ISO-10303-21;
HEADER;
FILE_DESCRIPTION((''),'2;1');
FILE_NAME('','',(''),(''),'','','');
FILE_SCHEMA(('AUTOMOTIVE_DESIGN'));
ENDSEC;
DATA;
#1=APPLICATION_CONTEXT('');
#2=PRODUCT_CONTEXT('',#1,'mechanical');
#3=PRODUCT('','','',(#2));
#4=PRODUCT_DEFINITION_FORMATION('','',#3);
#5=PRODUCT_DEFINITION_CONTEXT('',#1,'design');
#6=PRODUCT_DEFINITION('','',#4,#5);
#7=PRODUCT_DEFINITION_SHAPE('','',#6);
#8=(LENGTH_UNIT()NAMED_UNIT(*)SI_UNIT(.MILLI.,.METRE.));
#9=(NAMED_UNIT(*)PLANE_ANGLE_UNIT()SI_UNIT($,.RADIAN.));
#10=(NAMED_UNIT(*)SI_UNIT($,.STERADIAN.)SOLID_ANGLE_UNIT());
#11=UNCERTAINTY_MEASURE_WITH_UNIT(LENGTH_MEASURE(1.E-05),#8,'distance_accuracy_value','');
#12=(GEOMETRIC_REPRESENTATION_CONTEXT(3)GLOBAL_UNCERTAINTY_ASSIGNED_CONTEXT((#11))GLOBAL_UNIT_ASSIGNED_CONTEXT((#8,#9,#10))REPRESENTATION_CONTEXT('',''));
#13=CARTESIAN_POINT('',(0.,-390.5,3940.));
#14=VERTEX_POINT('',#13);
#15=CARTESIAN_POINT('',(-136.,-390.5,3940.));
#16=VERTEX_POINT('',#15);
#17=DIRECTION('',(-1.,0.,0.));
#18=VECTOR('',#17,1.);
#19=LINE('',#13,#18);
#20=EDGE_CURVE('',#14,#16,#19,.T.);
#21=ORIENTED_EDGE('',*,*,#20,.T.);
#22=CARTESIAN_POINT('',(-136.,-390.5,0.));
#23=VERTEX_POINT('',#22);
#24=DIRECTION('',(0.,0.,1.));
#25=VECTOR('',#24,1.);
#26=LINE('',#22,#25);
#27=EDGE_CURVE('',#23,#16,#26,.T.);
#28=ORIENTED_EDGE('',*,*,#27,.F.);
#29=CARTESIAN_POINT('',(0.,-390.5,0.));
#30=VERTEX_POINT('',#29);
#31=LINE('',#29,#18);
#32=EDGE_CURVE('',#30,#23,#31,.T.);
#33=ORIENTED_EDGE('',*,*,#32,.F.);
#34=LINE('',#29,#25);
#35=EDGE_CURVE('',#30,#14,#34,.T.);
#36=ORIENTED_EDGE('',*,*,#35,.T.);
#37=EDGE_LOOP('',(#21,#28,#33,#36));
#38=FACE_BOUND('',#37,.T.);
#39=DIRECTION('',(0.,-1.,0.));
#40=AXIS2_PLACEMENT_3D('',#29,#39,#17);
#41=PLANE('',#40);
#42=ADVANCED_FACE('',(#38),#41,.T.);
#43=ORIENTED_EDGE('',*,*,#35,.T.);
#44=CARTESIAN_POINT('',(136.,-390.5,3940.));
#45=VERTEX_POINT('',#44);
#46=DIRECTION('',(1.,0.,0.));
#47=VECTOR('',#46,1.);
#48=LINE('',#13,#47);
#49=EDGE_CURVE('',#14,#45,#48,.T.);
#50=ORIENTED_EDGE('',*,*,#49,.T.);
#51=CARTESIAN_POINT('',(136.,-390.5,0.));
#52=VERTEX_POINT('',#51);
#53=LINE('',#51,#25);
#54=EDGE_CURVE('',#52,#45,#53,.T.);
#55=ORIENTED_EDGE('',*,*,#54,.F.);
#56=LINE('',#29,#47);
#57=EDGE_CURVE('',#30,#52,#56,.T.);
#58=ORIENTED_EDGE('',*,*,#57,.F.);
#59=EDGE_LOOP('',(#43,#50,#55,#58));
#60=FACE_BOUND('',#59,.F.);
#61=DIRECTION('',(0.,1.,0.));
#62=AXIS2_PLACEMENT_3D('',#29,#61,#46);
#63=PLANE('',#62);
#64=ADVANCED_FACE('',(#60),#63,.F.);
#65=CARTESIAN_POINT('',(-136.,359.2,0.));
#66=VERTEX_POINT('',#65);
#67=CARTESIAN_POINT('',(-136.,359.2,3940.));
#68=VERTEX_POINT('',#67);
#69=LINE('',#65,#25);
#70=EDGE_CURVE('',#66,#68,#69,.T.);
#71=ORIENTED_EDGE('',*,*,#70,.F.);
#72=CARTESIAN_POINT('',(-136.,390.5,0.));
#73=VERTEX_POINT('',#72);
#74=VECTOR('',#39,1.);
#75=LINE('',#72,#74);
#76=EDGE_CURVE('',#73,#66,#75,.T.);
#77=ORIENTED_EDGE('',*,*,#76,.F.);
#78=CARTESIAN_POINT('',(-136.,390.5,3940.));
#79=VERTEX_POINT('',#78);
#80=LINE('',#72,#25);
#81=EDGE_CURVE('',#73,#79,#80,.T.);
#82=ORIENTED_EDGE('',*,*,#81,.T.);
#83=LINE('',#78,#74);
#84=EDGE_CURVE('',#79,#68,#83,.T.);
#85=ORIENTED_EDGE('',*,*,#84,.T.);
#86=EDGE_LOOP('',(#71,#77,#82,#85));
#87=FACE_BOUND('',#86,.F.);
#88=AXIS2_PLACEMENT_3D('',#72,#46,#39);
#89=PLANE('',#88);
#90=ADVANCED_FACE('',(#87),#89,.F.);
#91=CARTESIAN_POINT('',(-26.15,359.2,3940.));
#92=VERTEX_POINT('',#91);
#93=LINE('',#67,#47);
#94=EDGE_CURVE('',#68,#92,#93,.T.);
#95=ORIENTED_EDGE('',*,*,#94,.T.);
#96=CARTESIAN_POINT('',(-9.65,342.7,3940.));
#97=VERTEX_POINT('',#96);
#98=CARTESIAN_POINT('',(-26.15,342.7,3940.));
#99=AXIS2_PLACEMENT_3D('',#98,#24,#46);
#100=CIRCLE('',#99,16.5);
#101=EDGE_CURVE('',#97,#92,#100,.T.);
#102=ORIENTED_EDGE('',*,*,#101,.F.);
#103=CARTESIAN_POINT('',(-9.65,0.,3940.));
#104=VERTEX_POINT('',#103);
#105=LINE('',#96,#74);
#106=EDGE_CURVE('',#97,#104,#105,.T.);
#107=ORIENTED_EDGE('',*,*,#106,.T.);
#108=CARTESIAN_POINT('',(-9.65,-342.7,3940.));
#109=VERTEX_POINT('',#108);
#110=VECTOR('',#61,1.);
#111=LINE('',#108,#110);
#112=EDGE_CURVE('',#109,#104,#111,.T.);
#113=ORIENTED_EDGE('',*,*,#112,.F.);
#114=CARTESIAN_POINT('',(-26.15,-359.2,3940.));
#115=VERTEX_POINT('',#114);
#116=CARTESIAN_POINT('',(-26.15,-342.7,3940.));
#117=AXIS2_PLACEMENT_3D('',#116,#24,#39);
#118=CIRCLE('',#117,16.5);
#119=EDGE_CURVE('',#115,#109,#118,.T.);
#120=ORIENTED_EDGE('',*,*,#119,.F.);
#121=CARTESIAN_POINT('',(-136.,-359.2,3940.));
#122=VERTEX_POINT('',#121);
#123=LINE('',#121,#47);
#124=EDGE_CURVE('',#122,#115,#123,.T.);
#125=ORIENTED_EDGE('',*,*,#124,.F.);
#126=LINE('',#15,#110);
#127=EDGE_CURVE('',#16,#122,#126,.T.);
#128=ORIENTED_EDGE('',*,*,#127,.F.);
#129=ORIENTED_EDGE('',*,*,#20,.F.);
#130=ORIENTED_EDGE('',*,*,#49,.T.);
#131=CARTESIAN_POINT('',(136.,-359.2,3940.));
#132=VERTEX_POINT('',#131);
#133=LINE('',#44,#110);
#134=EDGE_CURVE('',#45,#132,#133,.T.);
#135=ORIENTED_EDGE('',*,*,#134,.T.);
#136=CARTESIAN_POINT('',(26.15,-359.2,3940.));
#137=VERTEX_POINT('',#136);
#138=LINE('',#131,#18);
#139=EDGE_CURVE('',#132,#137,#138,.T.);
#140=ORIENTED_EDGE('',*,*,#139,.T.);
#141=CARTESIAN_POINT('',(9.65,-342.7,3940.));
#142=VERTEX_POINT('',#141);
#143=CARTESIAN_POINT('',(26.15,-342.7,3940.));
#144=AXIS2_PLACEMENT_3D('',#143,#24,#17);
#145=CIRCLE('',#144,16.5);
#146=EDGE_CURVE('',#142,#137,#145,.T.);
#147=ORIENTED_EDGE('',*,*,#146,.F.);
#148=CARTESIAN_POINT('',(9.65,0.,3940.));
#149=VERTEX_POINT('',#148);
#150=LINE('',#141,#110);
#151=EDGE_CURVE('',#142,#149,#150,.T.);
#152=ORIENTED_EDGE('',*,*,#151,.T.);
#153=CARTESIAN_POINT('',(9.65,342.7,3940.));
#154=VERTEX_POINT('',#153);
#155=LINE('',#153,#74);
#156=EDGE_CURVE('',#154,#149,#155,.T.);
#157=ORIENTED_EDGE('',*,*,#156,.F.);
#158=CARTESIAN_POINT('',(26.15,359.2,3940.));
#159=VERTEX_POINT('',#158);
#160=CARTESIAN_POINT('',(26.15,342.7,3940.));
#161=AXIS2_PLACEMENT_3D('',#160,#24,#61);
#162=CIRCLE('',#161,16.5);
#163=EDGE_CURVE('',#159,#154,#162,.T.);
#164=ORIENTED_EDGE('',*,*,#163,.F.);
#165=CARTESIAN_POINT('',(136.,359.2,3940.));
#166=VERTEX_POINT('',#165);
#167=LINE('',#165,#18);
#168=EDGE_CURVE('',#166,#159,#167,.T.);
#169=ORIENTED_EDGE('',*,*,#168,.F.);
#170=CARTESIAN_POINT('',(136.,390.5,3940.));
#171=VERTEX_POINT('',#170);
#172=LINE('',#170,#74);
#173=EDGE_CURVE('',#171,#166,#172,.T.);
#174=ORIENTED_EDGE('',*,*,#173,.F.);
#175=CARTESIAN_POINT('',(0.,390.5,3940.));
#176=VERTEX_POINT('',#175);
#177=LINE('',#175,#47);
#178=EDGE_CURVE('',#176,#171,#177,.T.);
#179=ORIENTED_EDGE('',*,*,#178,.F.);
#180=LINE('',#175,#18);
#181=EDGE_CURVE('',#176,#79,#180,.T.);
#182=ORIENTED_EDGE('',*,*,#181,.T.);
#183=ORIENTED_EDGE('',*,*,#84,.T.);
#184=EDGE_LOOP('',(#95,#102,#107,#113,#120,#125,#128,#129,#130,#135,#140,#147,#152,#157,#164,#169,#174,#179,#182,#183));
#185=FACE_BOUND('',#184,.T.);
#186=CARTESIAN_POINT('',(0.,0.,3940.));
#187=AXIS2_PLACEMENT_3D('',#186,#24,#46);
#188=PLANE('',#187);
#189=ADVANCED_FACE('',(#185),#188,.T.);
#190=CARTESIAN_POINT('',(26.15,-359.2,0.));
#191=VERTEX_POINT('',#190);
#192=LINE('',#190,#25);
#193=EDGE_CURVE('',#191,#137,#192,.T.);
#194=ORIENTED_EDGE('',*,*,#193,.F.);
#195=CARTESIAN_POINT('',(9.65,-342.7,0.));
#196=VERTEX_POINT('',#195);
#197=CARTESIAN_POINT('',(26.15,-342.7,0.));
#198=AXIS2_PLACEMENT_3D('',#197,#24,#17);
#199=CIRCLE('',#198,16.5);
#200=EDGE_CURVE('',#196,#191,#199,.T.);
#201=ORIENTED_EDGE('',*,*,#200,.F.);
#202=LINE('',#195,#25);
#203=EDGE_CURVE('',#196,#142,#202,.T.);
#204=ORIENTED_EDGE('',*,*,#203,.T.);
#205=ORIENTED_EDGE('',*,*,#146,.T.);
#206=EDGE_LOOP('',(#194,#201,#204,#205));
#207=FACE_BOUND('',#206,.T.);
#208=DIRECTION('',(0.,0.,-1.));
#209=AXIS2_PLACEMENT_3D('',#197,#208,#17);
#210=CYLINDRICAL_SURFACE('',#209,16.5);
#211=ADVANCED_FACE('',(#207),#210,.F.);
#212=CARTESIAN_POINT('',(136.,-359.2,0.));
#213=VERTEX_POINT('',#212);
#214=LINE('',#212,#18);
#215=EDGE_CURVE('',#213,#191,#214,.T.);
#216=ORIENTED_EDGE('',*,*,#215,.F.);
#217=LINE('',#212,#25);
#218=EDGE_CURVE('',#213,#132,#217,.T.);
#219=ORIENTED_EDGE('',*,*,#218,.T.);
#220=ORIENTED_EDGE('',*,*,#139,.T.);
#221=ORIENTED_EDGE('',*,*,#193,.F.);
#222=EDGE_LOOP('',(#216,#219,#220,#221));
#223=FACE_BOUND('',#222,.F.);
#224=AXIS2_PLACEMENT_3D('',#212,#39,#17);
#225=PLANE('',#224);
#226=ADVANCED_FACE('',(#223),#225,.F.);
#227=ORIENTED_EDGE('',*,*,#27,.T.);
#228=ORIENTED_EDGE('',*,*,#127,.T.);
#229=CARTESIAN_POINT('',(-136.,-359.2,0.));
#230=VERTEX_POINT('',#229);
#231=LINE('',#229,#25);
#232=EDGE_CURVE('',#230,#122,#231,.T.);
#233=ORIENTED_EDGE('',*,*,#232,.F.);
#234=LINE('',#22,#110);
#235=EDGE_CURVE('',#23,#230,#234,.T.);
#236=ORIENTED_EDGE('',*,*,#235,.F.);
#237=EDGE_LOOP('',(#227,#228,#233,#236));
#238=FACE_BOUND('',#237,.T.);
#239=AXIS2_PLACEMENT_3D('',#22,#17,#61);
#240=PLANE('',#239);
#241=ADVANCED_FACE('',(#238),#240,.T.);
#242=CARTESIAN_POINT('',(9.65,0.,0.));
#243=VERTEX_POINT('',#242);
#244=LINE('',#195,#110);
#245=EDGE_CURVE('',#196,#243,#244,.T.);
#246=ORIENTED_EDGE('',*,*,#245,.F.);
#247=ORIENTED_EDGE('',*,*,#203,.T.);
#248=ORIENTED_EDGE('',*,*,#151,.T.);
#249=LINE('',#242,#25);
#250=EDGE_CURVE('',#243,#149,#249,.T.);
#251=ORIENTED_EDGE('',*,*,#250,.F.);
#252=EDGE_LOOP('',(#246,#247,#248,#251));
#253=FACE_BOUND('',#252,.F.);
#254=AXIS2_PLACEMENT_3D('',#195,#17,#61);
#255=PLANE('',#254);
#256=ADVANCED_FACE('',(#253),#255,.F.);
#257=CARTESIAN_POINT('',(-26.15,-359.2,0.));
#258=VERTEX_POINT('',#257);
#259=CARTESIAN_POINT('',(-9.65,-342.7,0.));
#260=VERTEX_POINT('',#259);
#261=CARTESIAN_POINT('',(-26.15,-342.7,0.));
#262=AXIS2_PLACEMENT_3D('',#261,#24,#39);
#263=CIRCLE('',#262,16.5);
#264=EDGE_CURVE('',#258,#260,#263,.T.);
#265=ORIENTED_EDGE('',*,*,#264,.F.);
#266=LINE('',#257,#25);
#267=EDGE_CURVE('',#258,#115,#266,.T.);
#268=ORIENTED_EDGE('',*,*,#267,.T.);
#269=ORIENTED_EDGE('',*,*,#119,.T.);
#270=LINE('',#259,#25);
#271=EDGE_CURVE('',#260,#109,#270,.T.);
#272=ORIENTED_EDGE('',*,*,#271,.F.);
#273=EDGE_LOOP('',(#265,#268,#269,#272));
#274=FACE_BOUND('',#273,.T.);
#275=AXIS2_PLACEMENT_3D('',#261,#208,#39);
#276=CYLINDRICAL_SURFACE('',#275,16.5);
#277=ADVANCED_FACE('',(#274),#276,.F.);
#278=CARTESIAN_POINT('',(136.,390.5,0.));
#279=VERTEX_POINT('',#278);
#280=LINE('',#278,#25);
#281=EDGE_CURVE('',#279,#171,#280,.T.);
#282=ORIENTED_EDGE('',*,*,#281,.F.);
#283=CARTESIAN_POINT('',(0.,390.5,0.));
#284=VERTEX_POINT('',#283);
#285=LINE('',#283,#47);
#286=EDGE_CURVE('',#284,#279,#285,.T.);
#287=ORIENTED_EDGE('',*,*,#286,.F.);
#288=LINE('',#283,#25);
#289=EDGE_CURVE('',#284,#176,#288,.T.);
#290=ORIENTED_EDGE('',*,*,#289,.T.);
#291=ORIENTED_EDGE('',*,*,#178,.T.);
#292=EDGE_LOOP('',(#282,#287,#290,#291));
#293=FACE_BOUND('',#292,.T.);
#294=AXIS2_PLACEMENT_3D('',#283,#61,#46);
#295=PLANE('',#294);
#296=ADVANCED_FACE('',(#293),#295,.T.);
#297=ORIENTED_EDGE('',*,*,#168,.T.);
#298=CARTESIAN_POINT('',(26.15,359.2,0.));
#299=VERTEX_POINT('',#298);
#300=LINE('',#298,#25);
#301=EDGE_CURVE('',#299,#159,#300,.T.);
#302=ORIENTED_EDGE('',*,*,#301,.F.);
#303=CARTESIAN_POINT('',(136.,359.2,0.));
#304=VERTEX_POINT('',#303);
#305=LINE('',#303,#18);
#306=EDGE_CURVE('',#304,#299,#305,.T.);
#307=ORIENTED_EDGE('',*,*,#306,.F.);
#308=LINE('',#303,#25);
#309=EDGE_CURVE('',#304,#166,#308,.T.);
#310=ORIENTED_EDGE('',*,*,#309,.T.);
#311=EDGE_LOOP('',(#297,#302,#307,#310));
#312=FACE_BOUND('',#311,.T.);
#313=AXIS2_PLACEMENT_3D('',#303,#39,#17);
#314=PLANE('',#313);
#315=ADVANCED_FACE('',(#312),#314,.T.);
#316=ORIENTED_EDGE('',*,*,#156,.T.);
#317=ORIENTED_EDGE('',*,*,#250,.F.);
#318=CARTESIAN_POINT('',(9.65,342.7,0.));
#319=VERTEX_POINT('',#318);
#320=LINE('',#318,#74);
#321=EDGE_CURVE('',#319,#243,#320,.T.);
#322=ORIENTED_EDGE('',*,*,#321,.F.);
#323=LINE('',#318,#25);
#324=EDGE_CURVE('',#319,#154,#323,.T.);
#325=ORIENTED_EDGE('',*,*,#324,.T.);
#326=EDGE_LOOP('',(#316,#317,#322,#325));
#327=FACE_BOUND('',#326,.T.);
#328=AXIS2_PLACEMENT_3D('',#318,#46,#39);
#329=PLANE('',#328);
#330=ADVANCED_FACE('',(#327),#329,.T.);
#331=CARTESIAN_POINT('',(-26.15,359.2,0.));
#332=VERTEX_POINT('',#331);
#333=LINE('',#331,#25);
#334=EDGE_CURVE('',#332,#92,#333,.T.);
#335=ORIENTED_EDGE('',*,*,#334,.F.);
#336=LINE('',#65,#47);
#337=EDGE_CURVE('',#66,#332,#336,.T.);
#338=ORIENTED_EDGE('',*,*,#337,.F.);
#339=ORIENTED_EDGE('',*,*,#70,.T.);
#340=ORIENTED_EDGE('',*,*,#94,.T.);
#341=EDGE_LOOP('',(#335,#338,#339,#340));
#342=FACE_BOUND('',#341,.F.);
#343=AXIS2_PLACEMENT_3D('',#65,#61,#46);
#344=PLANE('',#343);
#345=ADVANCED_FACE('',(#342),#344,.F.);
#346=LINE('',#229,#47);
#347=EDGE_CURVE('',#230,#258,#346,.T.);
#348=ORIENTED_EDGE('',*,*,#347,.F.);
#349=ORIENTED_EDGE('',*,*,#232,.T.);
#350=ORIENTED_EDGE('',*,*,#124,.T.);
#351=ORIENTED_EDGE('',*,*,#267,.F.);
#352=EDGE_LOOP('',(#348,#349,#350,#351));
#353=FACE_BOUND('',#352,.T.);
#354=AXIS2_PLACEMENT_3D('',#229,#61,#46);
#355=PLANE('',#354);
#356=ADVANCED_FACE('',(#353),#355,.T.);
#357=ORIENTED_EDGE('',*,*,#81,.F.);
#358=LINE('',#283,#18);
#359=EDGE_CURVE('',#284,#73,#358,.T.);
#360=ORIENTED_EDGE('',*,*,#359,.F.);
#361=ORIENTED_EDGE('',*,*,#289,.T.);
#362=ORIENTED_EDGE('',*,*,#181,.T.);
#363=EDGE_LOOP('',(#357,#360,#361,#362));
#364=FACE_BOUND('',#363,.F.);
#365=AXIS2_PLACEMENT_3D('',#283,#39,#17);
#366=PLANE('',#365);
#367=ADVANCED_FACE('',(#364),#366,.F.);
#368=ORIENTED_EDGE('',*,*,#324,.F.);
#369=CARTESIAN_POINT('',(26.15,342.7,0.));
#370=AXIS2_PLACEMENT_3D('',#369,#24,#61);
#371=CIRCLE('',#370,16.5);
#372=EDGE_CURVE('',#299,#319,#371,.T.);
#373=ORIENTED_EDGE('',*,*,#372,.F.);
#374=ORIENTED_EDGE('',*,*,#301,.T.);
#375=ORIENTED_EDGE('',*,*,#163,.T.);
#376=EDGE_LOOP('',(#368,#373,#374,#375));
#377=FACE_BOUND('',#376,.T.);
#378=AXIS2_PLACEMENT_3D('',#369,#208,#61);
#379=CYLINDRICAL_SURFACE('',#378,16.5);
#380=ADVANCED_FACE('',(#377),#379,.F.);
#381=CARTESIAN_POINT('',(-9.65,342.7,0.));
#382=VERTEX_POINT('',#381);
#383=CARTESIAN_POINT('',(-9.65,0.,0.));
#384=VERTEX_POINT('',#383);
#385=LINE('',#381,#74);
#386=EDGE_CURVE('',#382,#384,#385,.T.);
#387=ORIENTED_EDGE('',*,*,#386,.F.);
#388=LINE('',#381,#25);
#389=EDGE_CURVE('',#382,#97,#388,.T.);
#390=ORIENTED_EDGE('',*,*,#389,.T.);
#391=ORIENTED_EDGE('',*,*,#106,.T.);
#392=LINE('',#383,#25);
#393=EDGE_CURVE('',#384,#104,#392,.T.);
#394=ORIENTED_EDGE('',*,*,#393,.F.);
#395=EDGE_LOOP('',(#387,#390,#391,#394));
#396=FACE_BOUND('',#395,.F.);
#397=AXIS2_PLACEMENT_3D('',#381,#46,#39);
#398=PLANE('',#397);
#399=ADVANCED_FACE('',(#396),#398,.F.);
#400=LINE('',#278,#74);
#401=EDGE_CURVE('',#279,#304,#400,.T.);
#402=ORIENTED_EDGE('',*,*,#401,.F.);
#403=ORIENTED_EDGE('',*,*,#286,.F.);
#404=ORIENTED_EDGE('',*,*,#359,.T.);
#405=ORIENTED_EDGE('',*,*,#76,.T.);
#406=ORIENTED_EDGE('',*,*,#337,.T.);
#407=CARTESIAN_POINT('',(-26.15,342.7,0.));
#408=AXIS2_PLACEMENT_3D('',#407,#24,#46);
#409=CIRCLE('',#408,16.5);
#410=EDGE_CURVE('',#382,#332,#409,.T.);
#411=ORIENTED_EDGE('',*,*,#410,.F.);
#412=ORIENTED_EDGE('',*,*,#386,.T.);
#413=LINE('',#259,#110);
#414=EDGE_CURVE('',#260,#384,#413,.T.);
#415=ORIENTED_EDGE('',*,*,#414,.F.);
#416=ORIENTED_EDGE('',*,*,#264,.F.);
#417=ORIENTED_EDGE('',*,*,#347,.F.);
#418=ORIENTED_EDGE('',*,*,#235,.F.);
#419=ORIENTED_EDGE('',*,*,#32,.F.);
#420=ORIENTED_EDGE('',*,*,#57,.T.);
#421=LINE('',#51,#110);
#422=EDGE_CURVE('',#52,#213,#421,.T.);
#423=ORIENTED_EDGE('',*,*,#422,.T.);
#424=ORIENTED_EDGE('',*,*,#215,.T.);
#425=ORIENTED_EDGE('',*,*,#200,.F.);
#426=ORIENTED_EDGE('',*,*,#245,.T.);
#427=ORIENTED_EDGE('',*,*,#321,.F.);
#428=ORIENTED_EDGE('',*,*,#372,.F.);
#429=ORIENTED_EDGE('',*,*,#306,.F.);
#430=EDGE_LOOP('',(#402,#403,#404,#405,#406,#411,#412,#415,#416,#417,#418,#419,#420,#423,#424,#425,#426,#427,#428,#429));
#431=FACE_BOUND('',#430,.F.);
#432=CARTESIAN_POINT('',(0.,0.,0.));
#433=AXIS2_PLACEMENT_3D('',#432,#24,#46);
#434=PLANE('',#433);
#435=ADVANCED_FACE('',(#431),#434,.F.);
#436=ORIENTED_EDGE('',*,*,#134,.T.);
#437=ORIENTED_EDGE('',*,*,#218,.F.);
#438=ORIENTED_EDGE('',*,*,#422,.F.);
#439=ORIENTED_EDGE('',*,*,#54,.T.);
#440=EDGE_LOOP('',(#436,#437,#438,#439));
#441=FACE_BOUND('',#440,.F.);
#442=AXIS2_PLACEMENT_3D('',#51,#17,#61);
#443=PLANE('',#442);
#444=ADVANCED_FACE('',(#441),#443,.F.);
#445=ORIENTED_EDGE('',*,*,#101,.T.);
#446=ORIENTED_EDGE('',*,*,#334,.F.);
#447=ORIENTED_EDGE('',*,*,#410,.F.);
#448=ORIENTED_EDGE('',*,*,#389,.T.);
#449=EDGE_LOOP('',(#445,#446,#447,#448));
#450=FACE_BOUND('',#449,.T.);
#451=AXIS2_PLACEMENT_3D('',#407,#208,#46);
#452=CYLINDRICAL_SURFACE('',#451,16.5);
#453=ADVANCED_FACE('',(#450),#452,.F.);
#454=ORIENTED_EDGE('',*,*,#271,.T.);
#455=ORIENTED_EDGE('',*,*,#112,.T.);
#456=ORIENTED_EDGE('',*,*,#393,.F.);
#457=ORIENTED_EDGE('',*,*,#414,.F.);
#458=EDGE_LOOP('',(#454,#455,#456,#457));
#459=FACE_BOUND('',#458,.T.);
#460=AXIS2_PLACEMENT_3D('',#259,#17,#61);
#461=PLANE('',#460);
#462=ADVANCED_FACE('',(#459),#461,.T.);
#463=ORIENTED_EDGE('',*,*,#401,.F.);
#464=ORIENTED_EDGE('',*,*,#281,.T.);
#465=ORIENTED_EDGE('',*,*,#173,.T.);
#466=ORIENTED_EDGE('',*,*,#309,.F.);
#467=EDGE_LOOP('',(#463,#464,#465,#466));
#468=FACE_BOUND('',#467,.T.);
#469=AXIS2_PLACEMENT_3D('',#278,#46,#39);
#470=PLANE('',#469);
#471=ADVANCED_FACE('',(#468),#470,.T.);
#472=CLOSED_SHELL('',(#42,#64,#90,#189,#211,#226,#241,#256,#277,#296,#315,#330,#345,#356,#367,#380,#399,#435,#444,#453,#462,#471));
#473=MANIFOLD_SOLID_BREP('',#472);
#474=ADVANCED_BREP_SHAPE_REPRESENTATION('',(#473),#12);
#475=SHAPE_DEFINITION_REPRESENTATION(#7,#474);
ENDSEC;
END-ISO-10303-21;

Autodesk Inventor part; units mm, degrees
ref_plane "YZ Plane" through (0, 0, 0) normal (1, 0, 0) x (0, 1, 0)
ref_plane "Start plane" through (0, 0, 0) normal (0, 0, 1) x (1, 0, 0)
ref_plane "End plane" through (0, 0, 3940) normal (0, 0, 1) x (1, 0, 0)
sketch "Sketch" plane through (0, 0, 0) normal (0, 0, 1) x (1, 0, 0)
  line L0 (-136, -390.5) -> (-136, -359.2)
  line L1 (-136, -359.2) -> (-26.15, -359.2)
  line L2 (-9.65, -342.7) -> (-9.65, 0)
  line L3 (-9.65, 0) -> (0, 0) construction
  line L4 (0, 0) -> (0, -390.5) construction
  line L5 (0, -390.5) -> (-136, -390.5)
  line L6 (-60, 0) -> (80, 0) construction
  line L7 (0, -60) -> (0, 80) construction
  line L8 (136, -390.5) -> (136, -359.2)
  line L9 (136, -359.2) -> (26.15, -359.2)
  line L10 (9.65, -342.7) -> (9.65, 0)
  line L11 (9.65, 0) -> (0, 0) construction
  line L12 (0, -390.5) -> (136, -390.5)
  line L13 (-136, 390.5) -> (-136, 359.2)
  line L14 (-136, 359.2) -> (-26.15, 359.2)
  line L15 (-9.65, 342.7) -> (-9.65, 0)
  line L16 (0, 390.5) -> (-136, 390.5)
  line L17 (136, 390.5) -> (136, 359.2)
  line L18 (136, 359.2) -> (26.15, 359.2)
  line L19 (0, 390.5) -> (136, 390.5)
  line L20 (9.65, 342.7) -> (9.65, 0)
  arc A0 (-9.65, 342.7) -> (-26.15, 359.2) centre (-26.15, 342.7) ccw
  arc A1 (26.15, 359.2) -> (9.65, 342.7) centre (26.15, 342.7) ccw
  arc A2 (9.65, -342.7) -> (26.15, -359.2) centre (26.15, -342.7) ccw
  arc A3 (-26.15, -359.2) -> (-9.65, -342.7) centre (-26.15, -342.7) ccw
  line L21 (0, 108) -> (0, -88) construction
  line L22 (-88, 0) -> (108, 0) construction
  point P0 (-9.65, -359.2)
  point P1 (9.65, -359.2)
  point P2 (-9.65, 359.2)
  point P3 (9.65, 359.2)
  dimension "d1" = 390.5
  dimension "d2" = 31.3
  dimension "d3" = 136
  dimension "d4" = 9.65
  dimension "d10" = 16.5
extrude "Body" add sketch "Sketch" along normal up to surface (3940 mm away) from surface at 0
sketch "Sketch4" plane through (0, 0, 0) normal (0, 0, 1) x (1, 0, 0)
  line L0 (0, 0) -> (10, 0)
ref_plane "Work Plane3" through (0, 0, 0) normal (0, -1, 0) x (1, 0, 0)
sketch "Sketch5" plane through (0, 0, 0) normal (0, -1, 0) x (1, 0, 0)
  line L0 (-2, 0) -> (12, 0) projected
  line L1 (-2, 3940) -> (12, 3940) projected
  dimension "d14" = 3940
equation "\"d1\" = 0.5 * G_H"
equation "\"d2\" = G_T1"
equation "\"d3\" = 0.5 * G_W"
equation "\"d4\" = 0.5 * G_T"
equation "\"d10\" = G_IR"
equation "\"d5\" = G_L"
equation "\"G_W\" = 272"
equation "\"G_H\" = 781"
equation "\"G_T\" = 19.3"
equation "\"G_T1\" = 31.3"
equation "\"G_IR\" = 16.5"
equation "\"G_L\" = d14"
equation "\"G_OFFSET_START\" = 0"
equation "\"G_OFFSET_END\" = 0"
properties part number "AS 3679-1990 - 760 UB - 244 - 3940" material "Steel, Mild"
